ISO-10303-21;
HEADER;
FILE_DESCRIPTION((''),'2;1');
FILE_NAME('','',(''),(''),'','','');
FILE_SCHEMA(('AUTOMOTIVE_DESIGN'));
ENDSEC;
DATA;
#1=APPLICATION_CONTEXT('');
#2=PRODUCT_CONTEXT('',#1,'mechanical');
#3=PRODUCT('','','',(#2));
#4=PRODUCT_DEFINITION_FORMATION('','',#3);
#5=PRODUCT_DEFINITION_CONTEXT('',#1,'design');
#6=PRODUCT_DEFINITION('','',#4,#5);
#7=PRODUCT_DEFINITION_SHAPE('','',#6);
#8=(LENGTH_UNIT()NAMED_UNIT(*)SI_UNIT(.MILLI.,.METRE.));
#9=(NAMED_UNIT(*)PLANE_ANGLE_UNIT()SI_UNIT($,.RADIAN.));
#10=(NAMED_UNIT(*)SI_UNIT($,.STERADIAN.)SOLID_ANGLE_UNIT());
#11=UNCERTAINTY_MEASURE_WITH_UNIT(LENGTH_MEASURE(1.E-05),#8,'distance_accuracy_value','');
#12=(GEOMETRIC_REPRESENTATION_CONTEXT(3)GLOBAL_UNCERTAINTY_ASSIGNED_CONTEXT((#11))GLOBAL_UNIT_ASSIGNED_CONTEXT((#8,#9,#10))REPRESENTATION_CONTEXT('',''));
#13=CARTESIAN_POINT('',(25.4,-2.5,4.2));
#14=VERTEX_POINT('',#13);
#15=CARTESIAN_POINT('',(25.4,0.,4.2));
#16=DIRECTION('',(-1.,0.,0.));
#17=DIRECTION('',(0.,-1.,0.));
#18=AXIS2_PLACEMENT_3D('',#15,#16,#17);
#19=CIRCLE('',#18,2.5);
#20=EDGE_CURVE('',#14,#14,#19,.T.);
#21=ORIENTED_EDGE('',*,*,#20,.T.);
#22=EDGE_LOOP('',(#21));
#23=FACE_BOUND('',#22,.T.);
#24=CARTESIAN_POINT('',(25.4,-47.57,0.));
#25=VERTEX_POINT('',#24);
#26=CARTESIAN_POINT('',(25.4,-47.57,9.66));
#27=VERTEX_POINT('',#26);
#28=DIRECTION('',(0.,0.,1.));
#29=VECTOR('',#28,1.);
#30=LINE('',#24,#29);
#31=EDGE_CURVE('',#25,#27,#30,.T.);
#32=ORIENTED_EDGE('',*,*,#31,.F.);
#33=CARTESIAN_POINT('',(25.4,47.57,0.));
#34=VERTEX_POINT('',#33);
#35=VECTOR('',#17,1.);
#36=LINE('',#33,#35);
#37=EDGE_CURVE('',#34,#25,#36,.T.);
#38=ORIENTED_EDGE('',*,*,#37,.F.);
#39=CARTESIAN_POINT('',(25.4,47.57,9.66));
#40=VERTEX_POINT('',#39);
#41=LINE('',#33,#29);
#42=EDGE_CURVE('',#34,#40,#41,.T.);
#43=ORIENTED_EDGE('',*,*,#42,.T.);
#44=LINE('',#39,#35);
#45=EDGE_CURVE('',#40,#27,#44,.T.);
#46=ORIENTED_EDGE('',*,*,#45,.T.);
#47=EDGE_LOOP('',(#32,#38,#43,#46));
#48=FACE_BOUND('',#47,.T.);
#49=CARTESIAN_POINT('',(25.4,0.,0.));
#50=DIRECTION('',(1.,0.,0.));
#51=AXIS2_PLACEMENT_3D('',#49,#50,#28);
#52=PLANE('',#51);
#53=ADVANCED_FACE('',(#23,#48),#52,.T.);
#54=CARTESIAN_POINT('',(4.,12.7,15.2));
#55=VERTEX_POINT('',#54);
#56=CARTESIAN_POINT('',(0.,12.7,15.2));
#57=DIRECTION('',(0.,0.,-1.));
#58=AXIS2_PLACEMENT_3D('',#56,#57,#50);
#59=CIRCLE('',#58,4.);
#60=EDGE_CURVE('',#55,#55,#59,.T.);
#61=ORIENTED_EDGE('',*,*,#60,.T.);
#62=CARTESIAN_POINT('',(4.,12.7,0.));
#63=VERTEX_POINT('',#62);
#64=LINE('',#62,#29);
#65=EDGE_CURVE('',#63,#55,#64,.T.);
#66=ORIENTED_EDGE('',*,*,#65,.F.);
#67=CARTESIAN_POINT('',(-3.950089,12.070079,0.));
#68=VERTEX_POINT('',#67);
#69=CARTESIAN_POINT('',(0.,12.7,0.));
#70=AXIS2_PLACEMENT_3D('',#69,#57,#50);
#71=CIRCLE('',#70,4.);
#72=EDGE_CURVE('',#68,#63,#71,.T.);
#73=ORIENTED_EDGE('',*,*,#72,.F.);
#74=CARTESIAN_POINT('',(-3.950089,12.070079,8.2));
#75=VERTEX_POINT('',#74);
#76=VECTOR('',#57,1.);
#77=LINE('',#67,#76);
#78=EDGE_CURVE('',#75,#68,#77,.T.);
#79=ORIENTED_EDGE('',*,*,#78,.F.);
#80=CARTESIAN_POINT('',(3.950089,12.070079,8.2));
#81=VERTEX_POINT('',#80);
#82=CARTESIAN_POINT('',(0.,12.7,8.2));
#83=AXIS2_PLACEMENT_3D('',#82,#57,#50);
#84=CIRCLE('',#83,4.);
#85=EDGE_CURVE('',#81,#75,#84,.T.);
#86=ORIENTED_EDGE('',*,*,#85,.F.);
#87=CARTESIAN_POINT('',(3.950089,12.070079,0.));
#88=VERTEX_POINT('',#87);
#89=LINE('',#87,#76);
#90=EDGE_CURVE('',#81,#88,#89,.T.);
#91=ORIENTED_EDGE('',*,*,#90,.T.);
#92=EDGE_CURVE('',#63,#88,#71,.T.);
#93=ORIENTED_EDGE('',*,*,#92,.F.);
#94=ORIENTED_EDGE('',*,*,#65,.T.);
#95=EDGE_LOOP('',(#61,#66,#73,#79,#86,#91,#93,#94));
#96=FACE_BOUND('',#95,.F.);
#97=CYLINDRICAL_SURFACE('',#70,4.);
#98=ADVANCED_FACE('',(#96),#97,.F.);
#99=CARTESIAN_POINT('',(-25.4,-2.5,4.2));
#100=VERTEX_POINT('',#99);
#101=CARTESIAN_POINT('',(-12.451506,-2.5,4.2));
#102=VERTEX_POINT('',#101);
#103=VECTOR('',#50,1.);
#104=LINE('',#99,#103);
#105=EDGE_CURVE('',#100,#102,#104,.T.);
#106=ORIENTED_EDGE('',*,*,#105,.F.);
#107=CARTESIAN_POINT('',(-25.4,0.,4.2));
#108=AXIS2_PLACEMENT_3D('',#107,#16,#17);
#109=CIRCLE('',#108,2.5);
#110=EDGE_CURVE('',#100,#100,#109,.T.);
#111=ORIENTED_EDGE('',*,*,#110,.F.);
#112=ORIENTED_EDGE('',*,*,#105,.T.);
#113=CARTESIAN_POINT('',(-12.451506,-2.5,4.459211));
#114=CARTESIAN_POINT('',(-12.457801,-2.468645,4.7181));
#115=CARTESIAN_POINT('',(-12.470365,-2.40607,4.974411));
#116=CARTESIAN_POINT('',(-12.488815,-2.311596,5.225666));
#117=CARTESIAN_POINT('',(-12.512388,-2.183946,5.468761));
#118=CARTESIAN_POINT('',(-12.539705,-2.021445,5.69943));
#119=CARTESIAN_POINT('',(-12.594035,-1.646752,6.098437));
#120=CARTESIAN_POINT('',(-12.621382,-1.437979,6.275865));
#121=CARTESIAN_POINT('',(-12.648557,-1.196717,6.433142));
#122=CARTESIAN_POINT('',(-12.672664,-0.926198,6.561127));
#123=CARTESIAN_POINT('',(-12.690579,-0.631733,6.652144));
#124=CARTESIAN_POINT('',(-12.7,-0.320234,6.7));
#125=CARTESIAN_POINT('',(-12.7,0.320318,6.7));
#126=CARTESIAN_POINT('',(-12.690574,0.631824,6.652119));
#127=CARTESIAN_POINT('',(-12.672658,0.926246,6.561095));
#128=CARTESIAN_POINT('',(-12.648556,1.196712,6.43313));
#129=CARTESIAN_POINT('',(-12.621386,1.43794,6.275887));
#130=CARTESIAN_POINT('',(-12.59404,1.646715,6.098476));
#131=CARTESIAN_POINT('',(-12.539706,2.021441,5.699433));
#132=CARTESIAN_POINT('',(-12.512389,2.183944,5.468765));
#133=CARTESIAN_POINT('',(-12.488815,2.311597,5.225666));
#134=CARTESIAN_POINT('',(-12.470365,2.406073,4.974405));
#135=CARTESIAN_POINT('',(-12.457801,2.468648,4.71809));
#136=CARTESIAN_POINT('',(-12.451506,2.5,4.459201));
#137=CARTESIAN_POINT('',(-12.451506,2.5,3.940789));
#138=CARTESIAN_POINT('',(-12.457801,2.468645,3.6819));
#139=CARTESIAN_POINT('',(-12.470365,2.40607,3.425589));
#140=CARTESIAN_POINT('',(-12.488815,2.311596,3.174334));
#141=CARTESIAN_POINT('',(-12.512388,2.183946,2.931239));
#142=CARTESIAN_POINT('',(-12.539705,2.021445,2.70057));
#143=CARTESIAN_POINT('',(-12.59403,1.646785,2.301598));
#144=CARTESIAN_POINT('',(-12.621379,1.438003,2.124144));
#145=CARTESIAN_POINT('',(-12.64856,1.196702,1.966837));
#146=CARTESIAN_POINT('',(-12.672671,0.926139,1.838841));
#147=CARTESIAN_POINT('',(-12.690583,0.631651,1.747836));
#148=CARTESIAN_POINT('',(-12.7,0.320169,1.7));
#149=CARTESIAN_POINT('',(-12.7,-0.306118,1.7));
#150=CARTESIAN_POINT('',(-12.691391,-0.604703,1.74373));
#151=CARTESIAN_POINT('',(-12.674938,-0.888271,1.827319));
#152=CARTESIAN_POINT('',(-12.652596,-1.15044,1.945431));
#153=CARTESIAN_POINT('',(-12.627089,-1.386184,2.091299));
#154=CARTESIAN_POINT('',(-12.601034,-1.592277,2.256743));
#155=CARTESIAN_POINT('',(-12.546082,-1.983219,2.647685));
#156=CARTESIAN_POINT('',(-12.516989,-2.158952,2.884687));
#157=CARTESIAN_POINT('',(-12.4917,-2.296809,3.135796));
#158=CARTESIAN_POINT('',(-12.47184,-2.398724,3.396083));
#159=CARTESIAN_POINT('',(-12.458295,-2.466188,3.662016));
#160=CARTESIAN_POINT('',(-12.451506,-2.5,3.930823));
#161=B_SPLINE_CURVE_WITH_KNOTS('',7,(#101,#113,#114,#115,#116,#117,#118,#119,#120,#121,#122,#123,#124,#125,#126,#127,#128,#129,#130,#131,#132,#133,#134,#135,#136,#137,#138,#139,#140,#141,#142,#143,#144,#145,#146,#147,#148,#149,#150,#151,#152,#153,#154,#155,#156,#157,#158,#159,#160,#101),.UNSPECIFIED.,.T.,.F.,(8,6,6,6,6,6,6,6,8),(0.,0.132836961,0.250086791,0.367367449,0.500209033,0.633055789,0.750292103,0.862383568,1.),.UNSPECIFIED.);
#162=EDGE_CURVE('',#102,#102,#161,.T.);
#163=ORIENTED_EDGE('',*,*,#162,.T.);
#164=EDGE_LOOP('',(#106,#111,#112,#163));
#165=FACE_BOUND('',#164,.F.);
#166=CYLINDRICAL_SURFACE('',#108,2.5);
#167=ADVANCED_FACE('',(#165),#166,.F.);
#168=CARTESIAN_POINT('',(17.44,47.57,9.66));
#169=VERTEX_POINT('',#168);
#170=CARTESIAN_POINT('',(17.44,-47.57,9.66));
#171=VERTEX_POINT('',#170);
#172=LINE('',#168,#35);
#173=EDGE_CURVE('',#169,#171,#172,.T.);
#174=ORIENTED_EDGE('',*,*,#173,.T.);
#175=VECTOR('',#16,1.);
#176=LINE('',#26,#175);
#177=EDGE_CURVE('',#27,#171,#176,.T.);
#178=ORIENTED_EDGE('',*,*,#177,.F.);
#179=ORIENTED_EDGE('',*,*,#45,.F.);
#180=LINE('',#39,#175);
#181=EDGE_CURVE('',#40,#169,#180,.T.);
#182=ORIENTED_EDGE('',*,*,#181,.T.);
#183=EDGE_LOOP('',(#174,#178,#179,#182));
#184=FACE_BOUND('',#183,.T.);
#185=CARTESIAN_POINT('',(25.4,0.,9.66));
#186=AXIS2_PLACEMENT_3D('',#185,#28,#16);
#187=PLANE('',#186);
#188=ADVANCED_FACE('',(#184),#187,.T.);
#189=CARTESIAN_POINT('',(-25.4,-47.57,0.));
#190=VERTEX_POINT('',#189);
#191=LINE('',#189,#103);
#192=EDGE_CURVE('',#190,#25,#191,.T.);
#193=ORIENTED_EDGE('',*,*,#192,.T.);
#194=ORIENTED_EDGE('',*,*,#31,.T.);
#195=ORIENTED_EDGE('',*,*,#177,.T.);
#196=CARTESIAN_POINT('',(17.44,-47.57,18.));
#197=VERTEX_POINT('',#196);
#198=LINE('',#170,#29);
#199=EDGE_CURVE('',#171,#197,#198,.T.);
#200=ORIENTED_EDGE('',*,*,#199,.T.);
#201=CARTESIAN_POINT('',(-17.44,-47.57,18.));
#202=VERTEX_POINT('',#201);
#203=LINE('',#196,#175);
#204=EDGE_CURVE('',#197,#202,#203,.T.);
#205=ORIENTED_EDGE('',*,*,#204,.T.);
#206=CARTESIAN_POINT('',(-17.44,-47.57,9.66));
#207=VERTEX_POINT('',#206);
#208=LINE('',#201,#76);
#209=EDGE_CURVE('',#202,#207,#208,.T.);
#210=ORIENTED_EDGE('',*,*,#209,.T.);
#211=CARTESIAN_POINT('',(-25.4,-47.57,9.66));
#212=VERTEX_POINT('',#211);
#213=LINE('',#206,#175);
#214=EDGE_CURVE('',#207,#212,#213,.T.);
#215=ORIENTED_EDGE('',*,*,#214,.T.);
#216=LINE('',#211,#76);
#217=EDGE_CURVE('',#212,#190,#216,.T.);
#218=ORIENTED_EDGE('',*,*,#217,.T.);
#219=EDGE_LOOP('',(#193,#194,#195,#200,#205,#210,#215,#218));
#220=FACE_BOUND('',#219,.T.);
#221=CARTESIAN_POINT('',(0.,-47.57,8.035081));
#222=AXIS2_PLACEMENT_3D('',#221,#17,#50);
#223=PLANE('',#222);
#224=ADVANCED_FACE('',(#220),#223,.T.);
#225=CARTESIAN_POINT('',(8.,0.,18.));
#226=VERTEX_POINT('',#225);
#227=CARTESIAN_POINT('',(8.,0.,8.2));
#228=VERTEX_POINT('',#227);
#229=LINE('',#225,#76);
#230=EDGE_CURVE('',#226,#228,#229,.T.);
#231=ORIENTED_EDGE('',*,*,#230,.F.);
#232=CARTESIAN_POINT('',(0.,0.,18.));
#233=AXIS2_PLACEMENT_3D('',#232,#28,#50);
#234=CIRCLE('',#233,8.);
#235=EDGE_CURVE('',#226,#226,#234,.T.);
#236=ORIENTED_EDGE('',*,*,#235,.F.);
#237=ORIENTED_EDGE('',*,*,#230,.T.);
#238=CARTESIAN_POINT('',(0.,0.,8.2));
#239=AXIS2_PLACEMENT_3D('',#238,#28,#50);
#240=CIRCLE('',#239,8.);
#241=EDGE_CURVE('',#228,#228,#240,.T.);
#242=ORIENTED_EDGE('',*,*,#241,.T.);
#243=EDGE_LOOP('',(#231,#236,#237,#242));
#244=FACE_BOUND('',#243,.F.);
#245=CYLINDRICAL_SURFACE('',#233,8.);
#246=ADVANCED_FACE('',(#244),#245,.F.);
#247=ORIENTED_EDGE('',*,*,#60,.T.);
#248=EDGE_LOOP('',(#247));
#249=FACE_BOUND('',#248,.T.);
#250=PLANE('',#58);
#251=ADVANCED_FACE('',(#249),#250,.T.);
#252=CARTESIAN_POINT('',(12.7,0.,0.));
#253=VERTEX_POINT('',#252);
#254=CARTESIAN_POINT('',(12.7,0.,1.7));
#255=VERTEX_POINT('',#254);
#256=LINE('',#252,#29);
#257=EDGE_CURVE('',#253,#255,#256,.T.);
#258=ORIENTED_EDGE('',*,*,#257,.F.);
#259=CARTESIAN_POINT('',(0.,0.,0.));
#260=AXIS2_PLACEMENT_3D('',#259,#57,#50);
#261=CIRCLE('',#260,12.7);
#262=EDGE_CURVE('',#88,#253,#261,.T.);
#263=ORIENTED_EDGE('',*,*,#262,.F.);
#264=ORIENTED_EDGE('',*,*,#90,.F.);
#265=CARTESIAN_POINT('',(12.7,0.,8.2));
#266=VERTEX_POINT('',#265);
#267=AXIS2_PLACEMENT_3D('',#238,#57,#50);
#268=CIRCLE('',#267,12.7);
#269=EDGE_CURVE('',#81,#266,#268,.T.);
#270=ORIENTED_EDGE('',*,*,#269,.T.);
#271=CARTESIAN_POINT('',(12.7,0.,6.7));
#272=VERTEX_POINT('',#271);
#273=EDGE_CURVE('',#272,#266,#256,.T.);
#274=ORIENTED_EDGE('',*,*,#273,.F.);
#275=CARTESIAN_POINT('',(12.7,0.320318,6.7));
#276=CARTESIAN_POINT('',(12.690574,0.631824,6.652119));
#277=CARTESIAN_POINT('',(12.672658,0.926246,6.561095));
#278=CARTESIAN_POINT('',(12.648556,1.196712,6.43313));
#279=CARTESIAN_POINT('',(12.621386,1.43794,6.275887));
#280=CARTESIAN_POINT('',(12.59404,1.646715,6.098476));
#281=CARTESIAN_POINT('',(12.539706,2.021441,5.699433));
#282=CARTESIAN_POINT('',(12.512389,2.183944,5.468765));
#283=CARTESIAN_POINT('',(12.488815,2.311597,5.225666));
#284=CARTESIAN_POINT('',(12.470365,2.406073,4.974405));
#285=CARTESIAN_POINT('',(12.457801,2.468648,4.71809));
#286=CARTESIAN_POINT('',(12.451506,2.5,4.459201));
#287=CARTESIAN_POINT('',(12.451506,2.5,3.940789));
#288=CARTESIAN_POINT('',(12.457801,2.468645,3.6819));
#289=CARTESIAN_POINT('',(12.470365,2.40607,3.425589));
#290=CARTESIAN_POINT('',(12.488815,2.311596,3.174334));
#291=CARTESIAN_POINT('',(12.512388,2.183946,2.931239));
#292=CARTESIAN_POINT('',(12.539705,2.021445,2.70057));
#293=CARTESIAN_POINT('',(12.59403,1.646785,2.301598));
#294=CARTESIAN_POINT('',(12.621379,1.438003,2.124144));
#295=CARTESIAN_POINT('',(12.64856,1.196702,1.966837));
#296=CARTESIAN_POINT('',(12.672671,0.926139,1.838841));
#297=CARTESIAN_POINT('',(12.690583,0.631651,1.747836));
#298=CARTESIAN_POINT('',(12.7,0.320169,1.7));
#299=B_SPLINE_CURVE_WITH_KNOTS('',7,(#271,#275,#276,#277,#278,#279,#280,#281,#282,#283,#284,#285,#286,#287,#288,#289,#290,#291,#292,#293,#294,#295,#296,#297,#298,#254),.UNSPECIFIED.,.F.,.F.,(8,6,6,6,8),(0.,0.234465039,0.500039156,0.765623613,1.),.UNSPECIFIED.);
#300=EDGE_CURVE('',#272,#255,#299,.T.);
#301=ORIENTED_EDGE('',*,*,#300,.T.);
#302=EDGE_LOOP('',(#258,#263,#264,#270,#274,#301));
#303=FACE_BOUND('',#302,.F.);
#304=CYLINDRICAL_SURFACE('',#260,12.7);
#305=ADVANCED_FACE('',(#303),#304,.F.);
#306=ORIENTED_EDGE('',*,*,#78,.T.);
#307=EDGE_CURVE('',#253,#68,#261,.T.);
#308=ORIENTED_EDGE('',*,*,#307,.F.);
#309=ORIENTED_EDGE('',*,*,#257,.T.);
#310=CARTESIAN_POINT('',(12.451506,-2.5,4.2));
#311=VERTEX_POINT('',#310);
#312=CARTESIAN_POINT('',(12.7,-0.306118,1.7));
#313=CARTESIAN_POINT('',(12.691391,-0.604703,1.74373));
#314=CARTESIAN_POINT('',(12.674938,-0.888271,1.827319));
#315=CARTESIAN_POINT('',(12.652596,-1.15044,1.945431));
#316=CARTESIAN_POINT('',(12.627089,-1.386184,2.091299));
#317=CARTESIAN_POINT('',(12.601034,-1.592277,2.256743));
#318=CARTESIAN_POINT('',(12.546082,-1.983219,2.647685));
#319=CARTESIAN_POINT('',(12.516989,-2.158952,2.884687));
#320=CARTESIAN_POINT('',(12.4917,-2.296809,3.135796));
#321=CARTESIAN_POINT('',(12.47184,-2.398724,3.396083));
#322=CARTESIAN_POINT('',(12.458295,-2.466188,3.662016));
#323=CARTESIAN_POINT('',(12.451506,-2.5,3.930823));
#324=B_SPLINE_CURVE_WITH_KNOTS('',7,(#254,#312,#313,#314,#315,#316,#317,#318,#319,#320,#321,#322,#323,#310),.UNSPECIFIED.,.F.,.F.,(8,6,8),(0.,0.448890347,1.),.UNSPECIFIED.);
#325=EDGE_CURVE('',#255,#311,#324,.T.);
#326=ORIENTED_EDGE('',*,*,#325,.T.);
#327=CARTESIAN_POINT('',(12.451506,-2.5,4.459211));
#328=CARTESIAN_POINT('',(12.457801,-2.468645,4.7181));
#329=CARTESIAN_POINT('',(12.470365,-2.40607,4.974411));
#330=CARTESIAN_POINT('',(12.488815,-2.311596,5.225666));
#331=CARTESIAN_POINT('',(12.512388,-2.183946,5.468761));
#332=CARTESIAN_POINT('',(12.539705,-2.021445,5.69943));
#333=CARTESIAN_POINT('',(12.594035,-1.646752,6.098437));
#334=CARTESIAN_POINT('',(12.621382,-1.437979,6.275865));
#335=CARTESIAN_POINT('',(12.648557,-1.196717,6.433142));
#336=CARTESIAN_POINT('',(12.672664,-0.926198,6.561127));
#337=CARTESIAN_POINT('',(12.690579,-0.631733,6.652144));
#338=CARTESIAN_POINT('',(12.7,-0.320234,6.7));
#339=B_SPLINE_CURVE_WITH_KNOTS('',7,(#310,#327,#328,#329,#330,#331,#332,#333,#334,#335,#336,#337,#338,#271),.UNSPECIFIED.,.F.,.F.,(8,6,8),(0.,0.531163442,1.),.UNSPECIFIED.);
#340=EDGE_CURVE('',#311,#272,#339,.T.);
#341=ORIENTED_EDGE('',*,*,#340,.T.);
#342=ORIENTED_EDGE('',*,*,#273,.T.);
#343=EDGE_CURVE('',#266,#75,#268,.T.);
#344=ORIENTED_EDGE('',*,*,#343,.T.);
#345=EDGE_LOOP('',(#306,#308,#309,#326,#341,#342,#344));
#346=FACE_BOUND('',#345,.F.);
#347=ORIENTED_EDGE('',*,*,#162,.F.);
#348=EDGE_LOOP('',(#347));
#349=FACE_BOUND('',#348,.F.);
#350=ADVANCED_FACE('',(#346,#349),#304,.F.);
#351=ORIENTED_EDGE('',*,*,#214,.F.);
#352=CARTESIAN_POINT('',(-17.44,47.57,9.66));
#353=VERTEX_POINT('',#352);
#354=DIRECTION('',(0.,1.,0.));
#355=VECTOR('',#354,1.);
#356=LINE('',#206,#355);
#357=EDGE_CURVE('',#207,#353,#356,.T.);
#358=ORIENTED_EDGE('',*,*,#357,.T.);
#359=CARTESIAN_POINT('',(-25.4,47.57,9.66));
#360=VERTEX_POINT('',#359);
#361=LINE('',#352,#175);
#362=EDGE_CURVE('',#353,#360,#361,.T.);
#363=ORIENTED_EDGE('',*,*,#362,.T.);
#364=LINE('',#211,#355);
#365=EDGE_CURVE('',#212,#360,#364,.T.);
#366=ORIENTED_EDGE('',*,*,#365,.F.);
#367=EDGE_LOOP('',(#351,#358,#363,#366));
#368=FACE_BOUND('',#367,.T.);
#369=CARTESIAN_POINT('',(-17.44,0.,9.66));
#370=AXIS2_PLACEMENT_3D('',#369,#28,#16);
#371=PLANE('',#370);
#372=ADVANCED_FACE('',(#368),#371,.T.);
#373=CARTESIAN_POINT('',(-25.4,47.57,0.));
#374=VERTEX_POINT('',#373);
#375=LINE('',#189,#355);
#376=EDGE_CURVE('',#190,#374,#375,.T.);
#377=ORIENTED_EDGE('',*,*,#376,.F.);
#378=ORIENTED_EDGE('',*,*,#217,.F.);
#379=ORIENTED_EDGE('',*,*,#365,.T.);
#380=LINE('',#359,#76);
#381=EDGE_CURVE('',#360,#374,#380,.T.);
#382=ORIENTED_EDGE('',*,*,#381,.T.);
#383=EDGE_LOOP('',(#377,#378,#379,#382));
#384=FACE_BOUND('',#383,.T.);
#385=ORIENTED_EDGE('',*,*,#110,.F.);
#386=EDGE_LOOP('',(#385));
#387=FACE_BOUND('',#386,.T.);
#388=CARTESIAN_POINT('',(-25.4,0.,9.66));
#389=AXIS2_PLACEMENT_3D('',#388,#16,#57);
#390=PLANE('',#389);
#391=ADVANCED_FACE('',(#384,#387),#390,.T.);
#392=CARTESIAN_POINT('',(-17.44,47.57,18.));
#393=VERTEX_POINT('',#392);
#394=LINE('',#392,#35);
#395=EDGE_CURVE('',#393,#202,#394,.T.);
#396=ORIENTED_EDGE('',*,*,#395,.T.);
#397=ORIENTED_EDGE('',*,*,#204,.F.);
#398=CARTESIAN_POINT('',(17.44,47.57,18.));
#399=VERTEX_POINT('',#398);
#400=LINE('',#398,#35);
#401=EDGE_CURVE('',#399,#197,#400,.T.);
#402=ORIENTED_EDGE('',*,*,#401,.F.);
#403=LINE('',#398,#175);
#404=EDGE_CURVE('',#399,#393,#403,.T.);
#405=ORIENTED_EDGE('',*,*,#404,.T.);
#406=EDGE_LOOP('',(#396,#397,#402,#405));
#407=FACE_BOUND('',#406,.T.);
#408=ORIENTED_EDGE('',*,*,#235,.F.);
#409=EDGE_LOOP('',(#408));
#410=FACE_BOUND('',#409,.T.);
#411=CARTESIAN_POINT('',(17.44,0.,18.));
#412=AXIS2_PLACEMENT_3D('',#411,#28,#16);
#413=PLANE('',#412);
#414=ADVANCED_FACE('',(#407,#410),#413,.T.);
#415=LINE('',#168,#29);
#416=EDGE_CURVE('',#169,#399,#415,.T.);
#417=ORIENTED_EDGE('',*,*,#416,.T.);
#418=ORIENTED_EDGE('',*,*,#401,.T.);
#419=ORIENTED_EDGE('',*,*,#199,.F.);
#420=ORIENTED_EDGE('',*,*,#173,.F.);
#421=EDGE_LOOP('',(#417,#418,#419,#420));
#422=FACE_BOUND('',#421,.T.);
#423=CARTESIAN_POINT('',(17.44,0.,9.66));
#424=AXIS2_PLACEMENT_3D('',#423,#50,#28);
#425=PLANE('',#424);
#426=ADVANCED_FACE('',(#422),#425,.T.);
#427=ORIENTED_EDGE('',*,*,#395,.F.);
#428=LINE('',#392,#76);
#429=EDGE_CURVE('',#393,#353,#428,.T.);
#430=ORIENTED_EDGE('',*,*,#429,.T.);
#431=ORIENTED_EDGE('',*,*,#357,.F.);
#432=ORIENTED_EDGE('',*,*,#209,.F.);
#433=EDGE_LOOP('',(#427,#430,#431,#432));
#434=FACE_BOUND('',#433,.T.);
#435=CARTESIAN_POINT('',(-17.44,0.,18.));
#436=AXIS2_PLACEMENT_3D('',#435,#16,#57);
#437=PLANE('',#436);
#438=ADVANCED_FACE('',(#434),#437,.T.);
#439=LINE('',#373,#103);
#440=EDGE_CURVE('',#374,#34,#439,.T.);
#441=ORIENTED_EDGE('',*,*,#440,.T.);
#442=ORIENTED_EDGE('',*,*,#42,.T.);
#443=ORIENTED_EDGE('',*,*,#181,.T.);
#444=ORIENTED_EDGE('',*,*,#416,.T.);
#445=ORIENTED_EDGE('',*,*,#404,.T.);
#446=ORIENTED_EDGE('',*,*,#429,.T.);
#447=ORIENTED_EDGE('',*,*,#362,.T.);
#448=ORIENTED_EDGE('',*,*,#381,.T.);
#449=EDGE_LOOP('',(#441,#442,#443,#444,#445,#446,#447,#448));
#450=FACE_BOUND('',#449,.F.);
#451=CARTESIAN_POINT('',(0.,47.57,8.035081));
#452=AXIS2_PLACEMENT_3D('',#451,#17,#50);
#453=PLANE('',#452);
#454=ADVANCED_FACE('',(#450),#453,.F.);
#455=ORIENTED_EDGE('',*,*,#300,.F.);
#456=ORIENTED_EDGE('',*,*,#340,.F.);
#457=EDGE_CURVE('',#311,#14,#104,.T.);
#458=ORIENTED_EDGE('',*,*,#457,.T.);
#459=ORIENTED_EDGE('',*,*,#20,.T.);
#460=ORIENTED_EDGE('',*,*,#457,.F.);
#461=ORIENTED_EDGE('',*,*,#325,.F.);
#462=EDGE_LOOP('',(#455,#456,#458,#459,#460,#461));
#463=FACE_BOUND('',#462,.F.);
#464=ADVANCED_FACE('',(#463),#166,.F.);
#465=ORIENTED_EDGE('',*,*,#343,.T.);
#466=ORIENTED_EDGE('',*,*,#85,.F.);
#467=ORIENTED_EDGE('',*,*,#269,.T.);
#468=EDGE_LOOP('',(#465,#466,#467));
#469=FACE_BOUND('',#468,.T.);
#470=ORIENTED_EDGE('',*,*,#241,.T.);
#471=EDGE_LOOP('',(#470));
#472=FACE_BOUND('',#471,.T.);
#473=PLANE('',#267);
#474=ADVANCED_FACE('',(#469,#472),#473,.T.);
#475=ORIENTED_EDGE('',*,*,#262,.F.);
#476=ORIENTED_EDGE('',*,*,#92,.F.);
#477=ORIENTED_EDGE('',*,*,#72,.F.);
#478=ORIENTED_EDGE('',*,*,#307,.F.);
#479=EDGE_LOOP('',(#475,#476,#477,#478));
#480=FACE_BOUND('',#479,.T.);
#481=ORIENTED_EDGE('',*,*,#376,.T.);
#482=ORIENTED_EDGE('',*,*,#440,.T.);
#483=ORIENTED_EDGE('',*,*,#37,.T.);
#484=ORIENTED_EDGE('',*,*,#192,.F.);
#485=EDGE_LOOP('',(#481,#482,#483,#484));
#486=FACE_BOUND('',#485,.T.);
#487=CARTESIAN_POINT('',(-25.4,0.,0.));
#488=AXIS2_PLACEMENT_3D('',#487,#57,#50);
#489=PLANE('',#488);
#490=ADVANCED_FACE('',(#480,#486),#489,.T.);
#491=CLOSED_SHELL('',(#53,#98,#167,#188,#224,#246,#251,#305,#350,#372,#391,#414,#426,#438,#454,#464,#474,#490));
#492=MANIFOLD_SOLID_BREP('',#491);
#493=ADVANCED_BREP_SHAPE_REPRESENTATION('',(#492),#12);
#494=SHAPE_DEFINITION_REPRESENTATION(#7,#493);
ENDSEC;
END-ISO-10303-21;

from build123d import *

# Parameters (mm, degrees)
F1_DEPTH = 47.57
F2_R     = 8
F3_DEPTH = 25
F4_R     = 12.7
F5_DEPTH = 8.2
F6_R     = 2.5
F7_DEPTH = 50.801
F8_R     = 4
F9_DEPTH = 15.2


with BuildPart() as f1:
    # F0 (on Front) → F1 (new body, symmetric)
    with BuildSketch(Plane.XZ):
        Polygon((-25.4, 0), (0, 0), (25.4, 0), (25.4, 9.66), (17.44, 9.66), (17.44, 18), (0, 18), (-17.44, 18), (-17.44, 9.66), (-25.4, 9.66), align=None)
    extrude(amount=F1_DEPTH, both=True)

    # F2 (on face) → F3 (cut)
    with BuildSketch(Plane.XY.offset(18)):
        Circle(F2_R)
    extrude(amount=-F3_DEPTH, mode=Mode.SUBTRACT)

    # F4 (on face) → F5 (cut)
    with BuildSketch(Plane(origin=(0, 0, 0), x_dir=(1, 0, 0), z_dir=(0, 0, -1))):
        Circle(F4_R)
    extrude(amount=-F5_DEPTH, mode=Mode.SUBTRACT)

    # F6 (on face) → F7 (cut, through all)
    with BuildSketch(Plane(origin=(-25.4, 0, 0), x_dir=(0, -1, 0), z_dir=(-1, 0, 0))):
        with Locations((0, 4.2)):
            Circle(F6_R)
    extrude(amount=-F7_DEPTH, mode=Mode.SUBTRACT)

    # F8 (on face) → F9 (cut)
    with BuildSketch(Plane(origin=(0, 0, 0), x_dir=(1, 0, 0), z_dir=(0, 0, -1))):
        with Locations((0, -12.7)):
            Circle(F8_R)
    extrude(amount=-F9_DEPTH, mode=Mode.SUBTRACT)


solid = f1.part
